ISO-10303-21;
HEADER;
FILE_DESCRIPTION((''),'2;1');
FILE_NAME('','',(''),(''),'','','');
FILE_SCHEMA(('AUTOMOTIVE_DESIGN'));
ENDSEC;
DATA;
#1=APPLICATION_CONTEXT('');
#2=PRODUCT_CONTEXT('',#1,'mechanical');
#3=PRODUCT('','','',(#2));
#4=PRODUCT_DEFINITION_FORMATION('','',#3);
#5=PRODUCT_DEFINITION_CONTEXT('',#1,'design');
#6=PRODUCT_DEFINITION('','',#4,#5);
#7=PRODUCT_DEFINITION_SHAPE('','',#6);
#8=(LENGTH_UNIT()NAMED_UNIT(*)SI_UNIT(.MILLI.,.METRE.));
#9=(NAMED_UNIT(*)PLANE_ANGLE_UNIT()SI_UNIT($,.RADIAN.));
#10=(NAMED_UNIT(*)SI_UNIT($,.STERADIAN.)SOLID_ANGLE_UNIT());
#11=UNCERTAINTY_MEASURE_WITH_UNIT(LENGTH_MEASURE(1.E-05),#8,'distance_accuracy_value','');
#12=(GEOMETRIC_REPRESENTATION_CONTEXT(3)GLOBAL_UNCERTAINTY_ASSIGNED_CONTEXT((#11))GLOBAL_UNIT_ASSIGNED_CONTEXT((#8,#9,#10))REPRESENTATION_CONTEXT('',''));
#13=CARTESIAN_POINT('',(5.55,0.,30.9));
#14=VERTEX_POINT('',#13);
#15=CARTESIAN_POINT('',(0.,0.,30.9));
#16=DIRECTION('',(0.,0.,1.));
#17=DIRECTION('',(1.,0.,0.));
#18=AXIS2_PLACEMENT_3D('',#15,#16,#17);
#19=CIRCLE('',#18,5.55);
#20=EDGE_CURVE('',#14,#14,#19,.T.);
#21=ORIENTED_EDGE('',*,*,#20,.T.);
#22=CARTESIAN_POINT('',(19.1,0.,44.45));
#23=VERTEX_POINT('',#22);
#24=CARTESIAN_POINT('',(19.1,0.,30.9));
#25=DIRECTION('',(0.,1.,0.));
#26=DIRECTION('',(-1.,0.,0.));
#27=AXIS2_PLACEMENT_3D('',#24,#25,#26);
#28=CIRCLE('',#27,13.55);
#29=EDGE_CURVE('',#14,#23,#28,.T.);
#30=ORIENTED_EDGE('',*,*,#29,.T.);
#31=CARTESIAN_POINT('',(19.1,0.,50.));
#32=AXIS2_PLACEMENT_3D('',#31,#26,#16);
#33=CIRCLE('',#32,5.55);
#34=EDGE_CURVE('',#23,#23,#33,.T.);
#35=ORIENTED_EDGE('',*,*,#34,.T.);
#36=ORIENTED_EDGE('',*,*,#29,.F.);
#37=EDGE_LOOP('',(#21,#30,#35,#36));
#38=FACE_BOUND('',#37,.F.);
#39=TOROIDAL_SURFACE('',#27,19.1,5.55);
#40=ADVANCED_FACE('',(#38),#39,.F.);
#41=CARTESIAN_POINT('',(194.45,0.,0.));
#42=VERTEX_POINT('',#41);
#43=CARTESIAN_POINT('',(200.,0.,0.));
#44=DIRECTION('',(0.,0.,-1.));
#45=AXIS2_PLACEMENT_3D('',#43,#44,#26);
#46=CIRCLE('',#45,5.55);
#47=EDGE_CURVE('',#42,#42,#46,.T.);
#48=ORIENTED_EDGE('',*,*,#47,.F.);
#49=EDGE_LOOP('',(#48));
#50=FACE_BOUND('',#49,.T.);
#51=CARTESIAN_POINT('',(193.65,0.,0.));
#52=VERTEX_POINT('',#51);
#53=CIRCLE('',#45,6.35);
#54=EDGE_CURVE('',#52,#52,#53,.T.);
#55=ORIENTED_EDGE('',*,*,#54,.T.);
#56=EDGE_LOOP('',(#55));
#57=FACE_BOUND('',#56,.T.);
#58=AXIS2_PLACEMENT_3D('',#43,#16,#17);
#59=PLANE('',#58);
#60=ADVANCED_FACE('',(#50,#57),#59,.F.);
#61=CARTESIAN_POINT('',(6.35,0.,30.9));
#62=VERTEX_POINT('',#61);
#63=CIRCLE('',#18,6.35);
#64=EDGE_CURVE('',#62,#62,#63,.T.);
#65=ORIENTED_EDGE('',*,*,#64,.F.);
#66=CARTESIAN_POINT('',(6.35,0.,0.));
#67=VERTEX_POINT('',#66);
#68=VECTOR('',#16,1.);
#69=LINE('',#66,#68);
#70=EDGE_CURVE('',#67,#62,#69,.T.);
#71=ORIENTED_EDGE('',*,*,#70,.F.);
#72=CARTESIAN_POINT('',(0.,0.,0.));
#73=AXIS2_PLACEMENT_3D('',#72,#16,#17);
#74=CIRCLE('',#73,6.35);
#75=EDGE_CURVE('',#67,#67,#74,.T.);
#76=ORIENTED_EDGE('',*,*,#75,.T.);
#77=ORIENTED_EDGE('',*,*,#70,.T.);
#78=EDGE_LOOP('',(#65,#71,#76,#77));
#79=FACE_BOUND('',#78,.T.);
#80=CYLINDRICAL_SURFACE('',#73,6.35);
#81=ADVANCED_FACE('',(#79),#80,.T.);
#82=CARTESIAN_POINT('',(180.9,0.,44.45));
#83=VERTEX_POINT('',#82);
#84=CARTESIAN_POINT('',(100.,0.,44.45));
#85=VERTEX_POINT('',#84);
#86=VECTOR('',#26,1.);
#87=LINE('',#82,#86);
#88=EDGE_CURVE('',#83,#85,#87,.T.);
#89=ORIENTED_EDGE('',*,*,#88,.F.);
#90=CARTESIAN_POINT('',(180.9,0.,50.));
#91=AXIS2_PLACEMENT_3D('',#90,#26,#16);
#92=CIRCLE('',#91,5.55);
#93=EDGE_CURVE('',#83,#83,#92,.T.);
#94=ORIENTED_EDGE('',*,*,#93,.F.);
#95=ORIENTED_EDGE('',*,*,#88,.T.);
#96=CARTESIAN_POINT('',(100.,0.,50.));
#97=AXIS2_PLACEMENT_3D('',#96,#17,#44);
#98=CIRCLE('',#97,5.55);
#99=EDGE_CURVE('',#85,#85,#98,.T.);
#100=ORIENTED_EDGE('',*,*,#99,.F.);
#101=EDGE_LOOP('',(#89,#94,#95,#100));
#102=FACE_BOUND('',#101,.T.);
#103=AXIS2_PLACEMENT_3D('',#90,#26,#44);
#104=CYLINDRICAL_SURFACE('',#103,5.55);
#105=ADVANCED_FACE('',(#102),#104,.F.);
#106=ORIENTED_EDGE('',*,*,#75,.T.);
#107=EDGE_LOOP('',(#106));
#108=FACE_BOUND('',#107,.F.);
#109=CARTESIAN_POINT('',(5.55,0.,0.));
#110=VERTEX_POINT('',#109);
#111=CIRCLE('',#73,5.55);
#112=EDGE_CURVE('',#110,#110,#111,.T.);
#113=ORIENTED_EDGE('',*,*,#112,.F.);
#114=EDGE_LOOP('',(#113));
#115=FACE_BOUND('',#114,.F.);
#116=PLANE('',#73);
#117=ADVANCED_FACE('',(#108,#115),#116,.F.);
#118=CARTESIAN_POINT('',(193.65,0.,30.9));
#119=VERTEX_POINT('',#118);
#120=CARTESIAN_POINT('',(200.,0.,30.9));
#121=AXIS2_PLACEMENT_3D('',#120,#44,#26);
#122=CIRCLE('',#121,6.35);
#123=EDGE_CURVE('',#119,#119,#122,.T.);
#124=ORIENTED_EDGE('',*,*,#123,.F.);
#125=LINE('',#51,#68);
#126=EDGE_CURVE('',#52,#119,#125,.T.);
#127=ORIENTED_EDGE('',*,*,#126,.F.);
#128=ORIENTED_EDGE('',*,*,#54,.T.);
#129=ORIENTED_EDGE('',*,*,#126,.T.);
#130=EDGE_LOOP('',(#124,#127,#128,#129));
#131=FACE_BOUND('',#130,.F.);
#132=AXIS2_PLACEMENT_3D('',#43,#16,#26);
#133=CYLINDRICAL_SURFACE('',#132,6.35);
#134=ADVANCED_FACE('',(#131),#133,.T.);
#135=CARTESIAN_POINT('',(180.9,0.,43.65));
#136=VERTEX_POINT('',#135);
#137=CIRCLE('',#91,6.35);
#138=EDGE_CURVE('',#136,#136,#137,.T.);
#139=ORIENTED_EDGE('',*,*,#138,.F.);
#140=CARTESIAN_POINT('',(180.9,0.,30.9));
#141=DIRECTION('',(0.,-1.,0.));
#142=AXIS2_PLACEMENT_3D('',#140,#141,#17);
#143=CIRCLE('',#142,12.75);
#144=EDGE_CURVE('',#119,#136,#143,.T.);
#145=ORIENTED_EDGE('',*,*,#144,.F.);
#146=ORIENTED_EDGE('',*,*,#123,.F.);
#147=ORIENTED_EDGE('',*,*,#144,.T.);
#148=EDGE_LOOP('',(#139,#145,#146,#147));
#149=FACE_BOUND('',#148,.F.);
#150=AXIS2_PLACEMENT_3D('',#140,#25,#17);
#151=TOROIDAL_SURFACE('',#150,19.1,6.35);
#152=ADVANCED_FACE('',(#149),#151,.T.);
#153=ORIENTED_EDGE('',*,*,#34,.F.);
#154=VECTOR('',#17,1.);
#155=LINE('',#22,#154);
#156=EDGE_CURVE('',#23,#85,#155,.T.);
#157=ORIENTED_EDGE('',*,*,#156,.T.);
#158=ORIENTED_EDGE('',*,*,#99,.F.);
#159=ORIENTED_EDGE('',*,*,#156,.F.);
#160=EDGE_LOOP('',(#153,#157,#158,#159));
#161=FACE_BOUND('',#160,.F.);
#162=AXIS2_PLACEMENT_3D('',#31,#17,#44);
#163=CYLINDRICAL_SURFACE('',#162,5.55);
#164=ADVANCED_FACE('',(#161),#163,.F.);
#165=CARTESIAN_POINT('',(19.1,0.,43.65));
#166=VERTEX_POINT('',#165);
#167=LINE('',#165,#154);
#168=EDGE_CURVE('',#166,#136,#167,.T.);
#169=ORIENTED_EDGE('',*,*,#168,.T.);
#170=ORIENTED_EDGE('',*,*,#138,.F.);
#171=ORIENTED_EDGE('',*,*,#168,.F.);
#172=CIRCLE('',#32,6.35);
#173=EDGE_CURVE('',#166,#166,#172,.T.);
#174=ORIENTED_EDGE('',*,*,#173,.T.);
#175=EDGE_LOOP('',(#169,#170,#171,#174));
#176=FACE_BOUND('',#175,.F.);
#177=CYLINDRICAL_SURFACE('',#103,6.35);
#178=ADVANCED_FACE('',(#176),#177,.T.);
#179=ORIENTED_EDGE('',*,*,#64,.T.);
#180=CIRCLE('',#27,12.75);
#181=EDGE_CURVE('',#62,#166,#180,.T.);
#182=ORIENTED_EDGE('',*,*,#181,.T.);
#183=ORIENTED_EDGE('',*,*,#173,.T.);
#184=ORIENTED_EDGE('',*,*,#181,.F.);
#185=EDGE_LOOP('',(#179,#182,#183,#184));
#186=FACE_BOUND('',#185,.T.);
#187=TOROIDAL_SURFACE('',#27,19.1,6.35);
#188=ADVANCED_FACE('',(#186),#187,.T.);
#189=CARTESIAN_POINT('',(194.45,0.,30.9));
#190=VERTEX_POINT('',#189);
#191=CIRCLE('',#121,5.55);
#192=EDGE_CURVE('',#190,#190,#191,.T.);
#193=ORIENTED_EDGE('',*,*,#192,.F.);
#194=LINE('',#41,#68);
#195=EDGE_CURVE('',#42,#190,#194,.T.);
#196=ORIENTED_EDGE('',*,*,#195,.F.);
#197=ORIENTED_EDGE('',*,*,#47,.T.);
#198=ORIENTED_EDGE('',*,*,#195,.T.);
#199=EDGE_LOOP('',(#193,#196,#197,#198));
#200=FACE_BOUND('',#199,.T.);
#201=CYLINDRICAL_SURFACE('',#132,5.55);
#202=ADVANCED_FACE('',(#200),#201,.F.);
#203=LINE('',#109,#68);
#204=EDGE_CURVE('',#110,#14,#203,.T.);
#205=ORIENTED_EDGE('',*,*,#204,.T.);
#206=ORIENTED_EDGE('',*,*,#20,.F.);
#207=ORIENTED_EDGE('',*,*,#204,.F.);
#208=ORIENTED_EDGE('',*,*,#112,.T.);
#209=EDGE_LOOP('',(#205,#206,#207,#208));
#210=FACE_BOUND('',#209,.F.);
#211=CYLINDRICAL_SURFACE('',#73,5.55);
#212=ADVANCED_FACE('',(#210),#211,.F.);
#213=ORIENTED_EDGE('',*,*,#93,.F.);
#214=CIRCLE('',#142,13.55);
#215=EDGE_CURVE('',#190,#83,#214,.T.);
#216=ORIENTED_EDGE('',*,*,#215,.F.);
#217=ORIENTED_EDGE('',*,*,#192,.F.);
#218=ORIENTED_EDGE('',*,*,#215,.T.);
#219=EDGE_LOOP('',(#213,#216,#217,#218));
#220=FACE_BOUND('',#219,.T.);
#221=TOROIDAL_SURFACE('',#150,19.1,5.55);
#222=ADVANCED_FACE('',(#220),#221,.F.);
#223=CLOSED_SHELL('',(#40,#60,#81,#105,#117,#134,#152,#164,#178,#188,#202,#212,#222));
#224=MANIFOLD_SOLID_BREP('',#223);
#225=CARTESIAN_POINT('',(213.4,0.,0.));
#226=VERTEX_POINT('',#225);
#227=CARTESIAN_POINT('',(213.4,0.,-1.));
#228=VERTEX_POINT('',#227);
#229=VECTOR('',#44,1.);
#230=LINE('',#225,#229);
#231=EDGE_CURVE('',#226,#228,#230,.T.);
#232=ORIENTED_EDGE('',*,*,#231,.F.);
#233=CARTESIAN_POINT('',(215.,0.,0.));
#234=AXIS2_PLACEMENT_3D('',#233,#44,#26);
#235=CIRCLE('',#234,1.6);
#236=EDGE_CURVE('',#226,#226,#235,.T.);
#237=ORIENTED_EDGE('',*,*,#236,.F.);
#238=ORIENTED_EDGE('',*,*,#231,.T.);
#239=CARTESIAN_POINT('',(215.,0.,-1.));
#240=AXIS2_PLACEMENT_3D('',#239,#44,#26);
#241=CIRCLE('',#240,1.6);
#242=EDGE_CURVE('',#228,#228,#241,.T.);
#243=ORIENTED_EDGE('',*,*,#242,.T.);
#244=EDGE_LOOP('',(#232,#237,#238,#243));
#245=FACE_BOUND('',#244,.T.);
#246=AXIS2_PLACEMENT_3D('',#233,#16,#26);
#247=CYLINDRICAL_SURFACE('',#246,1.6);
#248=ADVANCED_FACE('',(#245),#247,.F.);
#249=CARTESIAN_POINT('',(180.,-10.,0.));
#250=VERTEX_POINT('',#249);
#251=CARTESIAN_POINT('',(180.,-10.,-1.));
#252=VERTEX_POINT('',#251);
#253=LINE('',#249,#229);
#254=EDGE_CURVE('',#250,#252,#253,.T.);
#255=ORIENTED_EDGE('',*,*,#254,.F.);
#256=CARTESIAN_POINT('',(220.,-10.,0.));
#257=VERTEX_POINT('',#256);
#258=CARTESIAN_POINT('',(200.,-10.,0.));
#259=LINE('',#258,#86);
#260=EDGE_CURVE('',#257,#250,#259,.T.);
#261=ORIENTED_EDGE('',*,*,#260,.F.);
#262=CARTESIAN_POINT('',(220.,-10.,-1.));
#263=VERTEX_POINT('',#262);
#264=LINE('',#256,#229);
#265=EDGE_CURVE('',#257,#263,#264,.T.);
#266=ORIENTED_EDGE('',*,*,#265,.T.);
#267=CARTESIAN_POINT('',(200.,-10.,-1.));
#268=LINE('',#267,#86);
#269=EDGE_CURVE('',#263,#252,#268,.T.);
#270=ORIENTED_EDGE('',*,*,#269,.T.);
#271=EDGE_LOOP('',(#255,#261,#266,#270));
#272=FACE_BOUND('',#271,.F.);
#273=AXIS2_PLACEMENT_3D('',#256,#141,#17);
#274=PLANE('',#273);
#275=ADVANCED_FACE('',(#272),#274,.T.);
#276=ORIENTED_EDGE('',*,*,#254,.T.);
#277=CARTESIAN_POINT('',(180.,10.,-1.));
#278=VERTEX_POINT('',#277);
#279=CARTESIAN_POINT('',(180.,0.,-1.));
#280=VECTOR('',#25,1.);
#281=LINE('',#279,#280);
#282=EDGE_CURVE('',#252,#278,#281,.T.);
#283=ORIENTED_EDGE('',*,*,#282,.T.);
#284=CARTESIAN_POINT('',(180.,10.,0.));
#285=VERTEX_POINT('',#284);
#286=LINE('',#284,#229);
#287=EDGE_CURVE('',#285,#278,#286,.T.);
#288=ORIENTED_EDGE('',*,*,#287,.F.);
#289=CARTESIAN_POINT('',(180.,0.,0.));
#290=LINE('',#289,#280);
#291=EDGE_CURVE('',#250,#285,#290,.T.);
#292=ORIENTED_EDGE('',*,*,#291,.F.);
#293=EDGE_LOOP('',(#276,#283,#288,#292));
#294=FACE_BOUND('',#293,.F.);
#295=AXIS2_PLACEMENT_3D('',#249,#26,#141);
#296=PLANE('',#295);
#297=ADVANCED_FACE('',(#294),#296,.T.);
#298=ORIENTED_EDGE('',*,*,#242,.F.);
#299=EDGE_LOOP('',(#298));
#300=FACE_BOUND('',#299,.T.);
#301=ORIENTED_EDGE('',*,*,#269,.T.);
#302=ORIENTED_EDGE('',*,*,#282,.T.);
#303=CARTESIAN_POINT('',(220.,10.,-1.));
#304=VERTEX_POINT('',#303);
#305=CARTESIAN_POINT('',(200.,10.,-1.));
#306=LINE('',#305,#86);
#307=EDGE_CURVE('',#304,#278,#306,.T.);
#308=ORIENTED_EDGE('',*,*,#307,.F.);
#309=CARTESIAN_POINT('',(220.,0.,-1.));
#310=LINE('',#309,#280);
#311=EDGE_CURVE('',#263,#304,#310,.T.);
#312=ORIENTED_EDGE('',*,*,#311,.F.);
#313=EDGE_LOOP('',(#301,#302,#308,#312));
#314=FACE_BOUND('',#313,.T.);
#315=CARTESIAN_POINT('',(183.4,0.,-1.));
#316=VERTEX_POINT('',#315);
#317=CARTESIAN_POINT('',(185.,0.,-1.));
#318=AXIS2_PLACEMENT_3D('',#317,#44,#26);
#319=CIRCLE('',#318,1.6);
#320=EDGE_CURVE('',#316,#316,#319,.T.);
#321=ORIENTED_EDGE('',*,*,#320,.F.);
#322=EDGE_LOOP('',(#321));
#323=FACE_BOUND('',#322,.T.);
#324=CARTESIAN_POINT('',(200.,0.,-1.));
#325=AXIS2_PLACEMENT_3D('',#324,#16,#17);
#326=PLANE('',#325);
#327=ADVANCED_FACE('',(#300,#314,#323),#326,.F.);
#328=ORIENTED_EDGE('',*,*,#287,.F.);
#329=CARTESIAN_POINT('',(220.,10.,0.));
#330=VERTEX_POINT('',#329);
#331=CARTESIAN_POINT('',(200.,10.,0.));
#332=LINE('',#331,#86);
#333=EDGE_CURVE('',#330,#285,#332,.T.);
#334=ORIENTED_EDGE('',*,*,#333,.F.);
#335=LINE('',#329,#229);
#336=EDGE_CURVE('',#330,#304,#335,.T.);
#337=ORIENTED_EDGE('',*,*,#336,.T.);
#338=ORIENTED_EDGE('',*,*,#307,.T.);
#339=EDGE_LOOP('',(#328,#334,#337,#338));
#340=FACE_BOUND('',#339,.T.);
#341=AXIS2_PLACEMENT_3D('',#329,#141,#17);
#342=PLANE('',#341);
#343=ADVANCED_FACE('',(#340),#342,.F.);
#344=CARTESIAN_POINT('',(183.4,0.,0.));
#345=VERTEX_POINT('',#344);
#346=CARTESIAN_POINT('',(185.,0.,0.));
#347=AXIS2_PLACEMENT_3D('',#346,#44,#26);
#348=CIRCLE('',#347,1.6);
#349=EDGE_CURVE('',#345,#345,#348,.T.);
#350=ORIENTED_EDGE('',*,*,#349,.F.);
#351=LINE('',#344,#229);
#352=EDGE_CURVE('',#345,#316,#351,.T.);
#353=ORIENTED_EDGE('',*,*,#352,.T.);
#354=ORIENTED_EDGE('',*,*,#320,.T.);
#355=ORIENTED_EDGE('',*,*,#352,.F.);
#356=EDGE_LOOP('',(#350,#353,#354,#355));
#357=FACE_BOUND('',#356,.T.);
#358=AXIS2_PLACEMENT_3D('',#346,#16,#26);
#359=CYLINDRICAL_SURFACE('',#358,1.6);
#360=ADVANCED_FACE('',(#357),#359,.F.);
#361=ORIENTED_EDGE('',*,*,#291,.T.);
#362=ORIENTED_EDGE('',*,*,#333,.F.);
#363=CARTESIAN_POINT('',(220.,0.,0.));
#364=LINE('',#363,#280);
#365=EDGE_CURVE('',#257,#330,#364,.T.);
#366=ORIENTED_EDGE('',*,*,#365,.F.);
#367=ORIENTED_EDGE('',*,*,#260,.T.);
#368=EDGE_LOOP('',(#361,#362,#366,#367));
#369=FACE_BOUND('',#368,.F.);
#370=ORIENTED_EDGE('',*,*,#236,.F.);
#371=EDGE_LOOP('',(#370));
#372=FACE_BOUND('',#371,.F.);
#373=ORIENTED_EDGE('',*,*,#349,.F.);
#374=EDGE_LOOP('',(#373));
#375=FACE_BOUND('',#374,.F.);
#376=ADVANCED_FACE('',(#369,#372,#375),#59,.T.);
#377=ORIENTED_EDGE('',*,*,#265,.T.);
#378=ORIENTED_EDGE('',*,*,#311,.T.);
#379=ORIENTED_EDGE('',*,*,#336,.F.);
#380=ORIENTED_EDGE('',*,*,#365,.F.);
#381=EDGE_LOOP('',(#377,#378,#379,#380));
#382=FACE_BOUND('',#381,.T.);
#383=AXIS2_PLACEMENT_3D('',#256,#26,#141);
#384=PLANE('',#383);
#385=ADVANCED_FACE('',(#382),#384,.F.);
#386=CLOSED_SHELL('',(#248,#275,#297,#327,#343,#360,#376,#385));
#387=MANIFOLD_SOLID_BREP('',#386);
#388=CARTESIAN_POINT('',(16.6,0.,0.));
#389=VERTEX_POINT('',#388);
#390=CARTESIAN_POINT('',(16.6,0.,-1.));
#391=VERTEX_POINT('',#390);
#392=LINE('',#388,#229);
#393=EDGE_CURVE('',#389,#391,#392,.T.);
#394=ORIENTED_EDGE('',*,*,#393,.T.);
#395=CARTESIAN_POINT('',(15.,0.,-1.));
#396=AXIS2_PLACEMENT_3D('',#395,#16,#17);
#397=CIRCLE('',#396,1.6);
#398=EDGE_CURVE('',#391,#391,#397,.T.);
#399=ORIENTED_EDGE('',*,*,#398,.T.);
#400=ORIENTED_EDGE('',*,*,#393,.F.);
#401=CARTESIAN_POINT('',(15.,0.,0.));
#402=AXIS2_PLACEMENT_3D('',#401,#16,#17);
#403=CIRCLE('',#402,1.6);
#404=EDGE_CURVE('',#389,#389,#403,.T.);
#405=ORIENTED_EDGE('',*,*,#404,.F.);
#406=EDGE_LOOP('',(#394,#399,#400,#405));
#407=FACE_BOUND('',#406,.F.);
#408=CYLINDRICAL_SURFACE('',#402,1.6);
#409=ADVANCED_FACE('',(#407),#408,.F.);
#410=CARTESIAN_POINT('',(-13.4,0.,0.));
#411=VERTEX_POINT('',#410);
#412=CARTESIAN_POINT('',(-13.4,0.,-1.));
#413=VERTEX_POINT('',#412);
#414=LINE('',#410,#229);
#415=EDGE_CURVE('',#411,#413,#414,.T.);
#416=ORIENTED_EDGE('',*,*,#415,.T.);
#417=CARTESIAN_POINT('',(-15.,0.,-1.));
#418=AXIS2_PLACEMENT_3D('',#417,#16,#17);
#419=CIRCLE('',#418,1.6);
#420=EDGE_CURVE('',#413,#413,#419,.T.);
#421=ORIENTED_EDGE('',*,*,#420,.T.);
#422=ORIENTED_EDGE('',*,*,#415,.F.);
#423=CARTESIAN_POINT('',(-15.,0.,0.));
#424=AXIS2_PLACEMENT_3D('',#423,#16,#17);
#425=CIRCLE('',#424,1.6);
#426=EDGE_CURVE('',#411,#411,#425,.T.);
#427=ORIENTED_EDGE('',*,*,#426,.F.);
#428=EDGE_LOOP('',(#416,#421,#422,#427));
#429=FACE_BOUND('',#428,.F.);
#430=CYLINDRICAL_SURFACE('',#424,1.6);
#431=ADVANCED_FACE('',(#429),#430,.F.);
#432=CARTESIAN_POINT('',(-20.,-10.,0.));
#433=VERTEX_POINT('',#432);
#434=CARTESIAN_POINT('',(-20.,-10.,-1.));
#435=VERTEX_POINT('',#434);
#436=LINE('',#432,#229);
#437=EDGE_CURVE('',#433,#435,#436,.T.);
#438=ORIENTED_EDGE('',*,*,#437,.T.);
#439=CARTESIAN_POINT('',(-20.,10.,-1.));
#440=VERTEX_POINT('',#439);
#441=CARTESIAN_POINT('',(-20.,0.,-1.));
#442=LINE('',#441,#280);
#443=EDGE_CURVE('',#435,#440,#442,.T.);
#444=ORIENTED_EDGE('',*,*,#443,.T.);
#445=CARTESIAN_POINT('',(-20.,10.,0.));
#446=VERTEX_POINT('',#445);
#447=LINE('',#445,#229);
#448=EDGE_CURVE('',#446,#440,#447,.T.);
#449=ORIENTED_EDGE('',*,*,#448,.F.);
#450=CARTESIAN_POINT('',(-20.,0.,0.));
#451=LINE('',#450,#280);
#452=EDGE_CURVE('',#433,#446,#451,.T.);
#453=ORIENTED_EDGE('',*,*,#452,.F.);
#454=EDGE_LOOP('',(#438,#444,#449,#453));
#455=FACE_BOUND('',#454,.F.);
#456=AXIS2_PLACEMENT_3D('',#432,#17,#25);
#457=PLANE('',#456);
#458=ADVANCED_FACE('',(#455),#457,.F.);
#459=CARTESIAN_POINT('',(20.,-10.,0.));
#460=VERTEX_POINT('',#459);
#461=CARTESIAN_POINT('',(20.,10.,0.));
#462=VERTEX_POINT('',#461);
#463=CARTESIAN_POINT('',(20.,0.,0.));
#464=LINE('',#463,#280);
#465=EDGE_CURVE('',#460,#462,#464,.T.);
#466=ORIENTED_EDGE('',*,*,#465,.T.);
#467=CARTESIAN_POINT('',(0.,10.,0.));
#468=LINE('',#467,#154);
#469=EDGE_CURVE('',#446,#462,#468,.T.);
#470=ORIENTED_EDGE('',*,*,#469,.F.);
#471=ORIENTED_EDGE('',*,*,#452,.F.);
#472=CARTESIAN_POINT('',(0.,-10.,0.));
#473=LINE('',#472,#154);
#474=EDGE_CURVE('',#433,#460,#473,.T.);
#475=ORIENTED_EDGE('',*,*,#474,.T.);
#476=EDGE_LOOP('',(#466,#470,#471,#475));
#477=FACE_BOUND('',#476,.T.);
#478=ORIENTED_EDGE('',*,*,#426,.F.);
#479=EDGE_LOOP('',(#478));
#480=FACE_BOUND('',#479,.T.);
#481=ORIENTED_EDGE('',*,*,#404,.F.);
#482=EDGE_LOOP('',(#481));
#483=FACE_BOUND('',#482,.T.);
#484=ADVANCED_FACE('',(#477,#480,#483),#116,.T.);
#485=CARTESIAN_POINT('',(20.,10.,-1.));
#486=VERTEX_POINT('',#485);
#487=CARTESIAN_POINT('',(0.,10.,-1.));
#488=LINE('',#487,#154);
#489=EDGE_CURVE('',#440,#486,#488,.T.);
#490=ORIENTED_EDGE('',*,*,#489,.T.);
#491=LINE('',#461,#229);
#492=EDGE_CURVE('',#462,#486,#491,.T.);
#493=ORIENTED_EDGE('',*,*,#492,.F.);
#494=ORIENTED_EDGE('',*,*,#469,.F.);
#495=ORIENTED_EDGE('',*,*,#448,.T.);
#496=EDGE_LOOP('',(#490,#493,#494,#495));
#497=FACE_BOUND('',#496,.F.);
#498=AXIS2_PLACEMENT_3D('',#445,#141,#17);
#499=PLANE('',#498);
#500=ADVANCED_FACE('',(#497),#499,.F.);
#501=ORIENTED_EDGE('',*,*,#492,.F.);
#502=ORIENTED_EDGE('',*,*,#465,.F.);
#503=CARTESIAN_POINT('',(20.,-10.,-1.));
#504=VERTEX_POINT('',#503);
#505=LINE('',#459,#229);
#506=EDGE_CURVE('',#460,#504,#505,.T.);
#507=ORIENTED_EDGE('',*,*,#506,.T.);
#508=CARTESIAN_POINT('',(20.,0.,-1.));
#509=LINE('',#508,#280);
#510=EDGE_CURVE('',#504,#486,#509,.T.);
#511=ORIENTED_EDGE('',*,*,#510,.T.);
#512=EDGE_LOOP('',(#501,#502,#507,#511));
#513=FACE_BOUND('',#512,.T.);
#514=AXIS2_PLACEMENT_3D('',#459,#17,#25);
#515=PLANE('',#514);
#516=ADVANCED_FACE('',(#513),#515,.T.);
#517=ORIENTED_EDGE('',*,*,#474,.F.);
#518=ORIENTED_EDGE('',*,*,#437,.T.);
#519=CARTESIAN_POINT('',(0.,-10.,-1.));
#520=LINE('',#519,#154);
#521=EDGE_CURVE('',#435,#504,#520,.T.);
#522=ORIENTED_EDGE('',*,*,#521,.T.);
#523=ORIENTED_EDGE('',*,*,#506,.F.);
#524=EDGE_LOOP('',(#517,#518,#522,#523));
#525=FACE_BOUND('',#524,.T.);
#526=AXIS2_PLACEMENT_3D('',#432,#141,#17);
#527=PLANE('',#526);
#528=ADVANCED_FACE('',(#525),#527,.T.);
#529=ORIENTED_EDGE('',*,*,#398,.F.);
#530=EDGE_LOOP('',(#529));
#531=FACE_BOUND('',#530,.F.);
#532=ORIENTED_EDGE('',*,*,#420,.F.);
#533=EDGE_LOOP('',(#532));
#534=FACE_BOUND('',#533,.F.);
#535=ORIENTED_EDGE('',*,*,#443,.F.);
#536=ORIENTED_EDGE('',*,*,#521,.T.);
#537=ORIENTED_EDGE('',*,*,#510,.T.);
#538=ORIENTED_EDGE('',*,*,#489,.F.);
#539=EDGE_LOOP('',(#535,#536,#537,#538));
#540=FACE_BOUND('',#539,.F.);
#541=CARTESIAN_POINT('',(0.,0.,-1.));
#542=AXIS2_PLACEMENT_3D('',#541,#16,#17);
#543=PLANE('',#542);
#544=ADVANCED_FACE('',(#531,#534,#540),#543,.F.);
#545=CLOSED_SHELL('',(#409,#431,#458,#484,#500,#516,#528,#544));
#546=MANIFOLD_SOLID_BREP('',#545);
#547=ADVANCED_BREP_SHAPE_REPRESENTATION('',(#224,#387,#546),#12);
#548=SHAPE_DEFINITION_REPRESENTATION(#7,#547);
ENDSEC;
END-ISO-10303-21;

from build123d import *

# Parameters (mm, degrees)
F0_R     = 6.35
F0_R_2   = 5.55
F4_W     = 40
F4_H     = 20
F4_R     = 1.6
F5_DEPTH = 1


with BuildPart() as f2:
    # F2: sweep along a path in F1
    with BuildLine(Plane.XZ) as f2_path:
        Line((0, 0), (0, 30.9))
        ThreePointArc((0, 30.9), (5.5942604793, 44.4057395207), (19.1, 50))
        Line((19.1, 50), (100, 50))
    # F0 (on Top) → F2 (sweep)
    with BuildSketch(Plane.XY):
        Circle(F0_R)
        Circle(F0_R_2, mode=Mode.SUBTRACT)
    sweep(path=f2_path.line)

    # F6: F2 across plane


with BuildPart() as f5:
    # F4 (on Top) → F5 (new body)
    with BuildSketch(Plane.XY):
        Rectangle(F4_W, F4_H)
        with Locations((-15, 0)):
            Circle(F4_R, mode=Mode.SUBTRACT)
        with Locations((15, 0)):
            Circle(F4_R, mode=Mode.SUBTRACT)
    extrude(amount=-F5_DEPTH)


with BuildPart() as f2_1:
    add(f2.part)
    add(f2.part.mirror(Plane.YZ.offset(100)))


with BuildPart() as f7_1:
    # F7: instance of F5
    add(f5.part.mirror(Plane.YZ.offset(100)))


solid = Compound([f5.part, f2_1.part, f7_1.part])
